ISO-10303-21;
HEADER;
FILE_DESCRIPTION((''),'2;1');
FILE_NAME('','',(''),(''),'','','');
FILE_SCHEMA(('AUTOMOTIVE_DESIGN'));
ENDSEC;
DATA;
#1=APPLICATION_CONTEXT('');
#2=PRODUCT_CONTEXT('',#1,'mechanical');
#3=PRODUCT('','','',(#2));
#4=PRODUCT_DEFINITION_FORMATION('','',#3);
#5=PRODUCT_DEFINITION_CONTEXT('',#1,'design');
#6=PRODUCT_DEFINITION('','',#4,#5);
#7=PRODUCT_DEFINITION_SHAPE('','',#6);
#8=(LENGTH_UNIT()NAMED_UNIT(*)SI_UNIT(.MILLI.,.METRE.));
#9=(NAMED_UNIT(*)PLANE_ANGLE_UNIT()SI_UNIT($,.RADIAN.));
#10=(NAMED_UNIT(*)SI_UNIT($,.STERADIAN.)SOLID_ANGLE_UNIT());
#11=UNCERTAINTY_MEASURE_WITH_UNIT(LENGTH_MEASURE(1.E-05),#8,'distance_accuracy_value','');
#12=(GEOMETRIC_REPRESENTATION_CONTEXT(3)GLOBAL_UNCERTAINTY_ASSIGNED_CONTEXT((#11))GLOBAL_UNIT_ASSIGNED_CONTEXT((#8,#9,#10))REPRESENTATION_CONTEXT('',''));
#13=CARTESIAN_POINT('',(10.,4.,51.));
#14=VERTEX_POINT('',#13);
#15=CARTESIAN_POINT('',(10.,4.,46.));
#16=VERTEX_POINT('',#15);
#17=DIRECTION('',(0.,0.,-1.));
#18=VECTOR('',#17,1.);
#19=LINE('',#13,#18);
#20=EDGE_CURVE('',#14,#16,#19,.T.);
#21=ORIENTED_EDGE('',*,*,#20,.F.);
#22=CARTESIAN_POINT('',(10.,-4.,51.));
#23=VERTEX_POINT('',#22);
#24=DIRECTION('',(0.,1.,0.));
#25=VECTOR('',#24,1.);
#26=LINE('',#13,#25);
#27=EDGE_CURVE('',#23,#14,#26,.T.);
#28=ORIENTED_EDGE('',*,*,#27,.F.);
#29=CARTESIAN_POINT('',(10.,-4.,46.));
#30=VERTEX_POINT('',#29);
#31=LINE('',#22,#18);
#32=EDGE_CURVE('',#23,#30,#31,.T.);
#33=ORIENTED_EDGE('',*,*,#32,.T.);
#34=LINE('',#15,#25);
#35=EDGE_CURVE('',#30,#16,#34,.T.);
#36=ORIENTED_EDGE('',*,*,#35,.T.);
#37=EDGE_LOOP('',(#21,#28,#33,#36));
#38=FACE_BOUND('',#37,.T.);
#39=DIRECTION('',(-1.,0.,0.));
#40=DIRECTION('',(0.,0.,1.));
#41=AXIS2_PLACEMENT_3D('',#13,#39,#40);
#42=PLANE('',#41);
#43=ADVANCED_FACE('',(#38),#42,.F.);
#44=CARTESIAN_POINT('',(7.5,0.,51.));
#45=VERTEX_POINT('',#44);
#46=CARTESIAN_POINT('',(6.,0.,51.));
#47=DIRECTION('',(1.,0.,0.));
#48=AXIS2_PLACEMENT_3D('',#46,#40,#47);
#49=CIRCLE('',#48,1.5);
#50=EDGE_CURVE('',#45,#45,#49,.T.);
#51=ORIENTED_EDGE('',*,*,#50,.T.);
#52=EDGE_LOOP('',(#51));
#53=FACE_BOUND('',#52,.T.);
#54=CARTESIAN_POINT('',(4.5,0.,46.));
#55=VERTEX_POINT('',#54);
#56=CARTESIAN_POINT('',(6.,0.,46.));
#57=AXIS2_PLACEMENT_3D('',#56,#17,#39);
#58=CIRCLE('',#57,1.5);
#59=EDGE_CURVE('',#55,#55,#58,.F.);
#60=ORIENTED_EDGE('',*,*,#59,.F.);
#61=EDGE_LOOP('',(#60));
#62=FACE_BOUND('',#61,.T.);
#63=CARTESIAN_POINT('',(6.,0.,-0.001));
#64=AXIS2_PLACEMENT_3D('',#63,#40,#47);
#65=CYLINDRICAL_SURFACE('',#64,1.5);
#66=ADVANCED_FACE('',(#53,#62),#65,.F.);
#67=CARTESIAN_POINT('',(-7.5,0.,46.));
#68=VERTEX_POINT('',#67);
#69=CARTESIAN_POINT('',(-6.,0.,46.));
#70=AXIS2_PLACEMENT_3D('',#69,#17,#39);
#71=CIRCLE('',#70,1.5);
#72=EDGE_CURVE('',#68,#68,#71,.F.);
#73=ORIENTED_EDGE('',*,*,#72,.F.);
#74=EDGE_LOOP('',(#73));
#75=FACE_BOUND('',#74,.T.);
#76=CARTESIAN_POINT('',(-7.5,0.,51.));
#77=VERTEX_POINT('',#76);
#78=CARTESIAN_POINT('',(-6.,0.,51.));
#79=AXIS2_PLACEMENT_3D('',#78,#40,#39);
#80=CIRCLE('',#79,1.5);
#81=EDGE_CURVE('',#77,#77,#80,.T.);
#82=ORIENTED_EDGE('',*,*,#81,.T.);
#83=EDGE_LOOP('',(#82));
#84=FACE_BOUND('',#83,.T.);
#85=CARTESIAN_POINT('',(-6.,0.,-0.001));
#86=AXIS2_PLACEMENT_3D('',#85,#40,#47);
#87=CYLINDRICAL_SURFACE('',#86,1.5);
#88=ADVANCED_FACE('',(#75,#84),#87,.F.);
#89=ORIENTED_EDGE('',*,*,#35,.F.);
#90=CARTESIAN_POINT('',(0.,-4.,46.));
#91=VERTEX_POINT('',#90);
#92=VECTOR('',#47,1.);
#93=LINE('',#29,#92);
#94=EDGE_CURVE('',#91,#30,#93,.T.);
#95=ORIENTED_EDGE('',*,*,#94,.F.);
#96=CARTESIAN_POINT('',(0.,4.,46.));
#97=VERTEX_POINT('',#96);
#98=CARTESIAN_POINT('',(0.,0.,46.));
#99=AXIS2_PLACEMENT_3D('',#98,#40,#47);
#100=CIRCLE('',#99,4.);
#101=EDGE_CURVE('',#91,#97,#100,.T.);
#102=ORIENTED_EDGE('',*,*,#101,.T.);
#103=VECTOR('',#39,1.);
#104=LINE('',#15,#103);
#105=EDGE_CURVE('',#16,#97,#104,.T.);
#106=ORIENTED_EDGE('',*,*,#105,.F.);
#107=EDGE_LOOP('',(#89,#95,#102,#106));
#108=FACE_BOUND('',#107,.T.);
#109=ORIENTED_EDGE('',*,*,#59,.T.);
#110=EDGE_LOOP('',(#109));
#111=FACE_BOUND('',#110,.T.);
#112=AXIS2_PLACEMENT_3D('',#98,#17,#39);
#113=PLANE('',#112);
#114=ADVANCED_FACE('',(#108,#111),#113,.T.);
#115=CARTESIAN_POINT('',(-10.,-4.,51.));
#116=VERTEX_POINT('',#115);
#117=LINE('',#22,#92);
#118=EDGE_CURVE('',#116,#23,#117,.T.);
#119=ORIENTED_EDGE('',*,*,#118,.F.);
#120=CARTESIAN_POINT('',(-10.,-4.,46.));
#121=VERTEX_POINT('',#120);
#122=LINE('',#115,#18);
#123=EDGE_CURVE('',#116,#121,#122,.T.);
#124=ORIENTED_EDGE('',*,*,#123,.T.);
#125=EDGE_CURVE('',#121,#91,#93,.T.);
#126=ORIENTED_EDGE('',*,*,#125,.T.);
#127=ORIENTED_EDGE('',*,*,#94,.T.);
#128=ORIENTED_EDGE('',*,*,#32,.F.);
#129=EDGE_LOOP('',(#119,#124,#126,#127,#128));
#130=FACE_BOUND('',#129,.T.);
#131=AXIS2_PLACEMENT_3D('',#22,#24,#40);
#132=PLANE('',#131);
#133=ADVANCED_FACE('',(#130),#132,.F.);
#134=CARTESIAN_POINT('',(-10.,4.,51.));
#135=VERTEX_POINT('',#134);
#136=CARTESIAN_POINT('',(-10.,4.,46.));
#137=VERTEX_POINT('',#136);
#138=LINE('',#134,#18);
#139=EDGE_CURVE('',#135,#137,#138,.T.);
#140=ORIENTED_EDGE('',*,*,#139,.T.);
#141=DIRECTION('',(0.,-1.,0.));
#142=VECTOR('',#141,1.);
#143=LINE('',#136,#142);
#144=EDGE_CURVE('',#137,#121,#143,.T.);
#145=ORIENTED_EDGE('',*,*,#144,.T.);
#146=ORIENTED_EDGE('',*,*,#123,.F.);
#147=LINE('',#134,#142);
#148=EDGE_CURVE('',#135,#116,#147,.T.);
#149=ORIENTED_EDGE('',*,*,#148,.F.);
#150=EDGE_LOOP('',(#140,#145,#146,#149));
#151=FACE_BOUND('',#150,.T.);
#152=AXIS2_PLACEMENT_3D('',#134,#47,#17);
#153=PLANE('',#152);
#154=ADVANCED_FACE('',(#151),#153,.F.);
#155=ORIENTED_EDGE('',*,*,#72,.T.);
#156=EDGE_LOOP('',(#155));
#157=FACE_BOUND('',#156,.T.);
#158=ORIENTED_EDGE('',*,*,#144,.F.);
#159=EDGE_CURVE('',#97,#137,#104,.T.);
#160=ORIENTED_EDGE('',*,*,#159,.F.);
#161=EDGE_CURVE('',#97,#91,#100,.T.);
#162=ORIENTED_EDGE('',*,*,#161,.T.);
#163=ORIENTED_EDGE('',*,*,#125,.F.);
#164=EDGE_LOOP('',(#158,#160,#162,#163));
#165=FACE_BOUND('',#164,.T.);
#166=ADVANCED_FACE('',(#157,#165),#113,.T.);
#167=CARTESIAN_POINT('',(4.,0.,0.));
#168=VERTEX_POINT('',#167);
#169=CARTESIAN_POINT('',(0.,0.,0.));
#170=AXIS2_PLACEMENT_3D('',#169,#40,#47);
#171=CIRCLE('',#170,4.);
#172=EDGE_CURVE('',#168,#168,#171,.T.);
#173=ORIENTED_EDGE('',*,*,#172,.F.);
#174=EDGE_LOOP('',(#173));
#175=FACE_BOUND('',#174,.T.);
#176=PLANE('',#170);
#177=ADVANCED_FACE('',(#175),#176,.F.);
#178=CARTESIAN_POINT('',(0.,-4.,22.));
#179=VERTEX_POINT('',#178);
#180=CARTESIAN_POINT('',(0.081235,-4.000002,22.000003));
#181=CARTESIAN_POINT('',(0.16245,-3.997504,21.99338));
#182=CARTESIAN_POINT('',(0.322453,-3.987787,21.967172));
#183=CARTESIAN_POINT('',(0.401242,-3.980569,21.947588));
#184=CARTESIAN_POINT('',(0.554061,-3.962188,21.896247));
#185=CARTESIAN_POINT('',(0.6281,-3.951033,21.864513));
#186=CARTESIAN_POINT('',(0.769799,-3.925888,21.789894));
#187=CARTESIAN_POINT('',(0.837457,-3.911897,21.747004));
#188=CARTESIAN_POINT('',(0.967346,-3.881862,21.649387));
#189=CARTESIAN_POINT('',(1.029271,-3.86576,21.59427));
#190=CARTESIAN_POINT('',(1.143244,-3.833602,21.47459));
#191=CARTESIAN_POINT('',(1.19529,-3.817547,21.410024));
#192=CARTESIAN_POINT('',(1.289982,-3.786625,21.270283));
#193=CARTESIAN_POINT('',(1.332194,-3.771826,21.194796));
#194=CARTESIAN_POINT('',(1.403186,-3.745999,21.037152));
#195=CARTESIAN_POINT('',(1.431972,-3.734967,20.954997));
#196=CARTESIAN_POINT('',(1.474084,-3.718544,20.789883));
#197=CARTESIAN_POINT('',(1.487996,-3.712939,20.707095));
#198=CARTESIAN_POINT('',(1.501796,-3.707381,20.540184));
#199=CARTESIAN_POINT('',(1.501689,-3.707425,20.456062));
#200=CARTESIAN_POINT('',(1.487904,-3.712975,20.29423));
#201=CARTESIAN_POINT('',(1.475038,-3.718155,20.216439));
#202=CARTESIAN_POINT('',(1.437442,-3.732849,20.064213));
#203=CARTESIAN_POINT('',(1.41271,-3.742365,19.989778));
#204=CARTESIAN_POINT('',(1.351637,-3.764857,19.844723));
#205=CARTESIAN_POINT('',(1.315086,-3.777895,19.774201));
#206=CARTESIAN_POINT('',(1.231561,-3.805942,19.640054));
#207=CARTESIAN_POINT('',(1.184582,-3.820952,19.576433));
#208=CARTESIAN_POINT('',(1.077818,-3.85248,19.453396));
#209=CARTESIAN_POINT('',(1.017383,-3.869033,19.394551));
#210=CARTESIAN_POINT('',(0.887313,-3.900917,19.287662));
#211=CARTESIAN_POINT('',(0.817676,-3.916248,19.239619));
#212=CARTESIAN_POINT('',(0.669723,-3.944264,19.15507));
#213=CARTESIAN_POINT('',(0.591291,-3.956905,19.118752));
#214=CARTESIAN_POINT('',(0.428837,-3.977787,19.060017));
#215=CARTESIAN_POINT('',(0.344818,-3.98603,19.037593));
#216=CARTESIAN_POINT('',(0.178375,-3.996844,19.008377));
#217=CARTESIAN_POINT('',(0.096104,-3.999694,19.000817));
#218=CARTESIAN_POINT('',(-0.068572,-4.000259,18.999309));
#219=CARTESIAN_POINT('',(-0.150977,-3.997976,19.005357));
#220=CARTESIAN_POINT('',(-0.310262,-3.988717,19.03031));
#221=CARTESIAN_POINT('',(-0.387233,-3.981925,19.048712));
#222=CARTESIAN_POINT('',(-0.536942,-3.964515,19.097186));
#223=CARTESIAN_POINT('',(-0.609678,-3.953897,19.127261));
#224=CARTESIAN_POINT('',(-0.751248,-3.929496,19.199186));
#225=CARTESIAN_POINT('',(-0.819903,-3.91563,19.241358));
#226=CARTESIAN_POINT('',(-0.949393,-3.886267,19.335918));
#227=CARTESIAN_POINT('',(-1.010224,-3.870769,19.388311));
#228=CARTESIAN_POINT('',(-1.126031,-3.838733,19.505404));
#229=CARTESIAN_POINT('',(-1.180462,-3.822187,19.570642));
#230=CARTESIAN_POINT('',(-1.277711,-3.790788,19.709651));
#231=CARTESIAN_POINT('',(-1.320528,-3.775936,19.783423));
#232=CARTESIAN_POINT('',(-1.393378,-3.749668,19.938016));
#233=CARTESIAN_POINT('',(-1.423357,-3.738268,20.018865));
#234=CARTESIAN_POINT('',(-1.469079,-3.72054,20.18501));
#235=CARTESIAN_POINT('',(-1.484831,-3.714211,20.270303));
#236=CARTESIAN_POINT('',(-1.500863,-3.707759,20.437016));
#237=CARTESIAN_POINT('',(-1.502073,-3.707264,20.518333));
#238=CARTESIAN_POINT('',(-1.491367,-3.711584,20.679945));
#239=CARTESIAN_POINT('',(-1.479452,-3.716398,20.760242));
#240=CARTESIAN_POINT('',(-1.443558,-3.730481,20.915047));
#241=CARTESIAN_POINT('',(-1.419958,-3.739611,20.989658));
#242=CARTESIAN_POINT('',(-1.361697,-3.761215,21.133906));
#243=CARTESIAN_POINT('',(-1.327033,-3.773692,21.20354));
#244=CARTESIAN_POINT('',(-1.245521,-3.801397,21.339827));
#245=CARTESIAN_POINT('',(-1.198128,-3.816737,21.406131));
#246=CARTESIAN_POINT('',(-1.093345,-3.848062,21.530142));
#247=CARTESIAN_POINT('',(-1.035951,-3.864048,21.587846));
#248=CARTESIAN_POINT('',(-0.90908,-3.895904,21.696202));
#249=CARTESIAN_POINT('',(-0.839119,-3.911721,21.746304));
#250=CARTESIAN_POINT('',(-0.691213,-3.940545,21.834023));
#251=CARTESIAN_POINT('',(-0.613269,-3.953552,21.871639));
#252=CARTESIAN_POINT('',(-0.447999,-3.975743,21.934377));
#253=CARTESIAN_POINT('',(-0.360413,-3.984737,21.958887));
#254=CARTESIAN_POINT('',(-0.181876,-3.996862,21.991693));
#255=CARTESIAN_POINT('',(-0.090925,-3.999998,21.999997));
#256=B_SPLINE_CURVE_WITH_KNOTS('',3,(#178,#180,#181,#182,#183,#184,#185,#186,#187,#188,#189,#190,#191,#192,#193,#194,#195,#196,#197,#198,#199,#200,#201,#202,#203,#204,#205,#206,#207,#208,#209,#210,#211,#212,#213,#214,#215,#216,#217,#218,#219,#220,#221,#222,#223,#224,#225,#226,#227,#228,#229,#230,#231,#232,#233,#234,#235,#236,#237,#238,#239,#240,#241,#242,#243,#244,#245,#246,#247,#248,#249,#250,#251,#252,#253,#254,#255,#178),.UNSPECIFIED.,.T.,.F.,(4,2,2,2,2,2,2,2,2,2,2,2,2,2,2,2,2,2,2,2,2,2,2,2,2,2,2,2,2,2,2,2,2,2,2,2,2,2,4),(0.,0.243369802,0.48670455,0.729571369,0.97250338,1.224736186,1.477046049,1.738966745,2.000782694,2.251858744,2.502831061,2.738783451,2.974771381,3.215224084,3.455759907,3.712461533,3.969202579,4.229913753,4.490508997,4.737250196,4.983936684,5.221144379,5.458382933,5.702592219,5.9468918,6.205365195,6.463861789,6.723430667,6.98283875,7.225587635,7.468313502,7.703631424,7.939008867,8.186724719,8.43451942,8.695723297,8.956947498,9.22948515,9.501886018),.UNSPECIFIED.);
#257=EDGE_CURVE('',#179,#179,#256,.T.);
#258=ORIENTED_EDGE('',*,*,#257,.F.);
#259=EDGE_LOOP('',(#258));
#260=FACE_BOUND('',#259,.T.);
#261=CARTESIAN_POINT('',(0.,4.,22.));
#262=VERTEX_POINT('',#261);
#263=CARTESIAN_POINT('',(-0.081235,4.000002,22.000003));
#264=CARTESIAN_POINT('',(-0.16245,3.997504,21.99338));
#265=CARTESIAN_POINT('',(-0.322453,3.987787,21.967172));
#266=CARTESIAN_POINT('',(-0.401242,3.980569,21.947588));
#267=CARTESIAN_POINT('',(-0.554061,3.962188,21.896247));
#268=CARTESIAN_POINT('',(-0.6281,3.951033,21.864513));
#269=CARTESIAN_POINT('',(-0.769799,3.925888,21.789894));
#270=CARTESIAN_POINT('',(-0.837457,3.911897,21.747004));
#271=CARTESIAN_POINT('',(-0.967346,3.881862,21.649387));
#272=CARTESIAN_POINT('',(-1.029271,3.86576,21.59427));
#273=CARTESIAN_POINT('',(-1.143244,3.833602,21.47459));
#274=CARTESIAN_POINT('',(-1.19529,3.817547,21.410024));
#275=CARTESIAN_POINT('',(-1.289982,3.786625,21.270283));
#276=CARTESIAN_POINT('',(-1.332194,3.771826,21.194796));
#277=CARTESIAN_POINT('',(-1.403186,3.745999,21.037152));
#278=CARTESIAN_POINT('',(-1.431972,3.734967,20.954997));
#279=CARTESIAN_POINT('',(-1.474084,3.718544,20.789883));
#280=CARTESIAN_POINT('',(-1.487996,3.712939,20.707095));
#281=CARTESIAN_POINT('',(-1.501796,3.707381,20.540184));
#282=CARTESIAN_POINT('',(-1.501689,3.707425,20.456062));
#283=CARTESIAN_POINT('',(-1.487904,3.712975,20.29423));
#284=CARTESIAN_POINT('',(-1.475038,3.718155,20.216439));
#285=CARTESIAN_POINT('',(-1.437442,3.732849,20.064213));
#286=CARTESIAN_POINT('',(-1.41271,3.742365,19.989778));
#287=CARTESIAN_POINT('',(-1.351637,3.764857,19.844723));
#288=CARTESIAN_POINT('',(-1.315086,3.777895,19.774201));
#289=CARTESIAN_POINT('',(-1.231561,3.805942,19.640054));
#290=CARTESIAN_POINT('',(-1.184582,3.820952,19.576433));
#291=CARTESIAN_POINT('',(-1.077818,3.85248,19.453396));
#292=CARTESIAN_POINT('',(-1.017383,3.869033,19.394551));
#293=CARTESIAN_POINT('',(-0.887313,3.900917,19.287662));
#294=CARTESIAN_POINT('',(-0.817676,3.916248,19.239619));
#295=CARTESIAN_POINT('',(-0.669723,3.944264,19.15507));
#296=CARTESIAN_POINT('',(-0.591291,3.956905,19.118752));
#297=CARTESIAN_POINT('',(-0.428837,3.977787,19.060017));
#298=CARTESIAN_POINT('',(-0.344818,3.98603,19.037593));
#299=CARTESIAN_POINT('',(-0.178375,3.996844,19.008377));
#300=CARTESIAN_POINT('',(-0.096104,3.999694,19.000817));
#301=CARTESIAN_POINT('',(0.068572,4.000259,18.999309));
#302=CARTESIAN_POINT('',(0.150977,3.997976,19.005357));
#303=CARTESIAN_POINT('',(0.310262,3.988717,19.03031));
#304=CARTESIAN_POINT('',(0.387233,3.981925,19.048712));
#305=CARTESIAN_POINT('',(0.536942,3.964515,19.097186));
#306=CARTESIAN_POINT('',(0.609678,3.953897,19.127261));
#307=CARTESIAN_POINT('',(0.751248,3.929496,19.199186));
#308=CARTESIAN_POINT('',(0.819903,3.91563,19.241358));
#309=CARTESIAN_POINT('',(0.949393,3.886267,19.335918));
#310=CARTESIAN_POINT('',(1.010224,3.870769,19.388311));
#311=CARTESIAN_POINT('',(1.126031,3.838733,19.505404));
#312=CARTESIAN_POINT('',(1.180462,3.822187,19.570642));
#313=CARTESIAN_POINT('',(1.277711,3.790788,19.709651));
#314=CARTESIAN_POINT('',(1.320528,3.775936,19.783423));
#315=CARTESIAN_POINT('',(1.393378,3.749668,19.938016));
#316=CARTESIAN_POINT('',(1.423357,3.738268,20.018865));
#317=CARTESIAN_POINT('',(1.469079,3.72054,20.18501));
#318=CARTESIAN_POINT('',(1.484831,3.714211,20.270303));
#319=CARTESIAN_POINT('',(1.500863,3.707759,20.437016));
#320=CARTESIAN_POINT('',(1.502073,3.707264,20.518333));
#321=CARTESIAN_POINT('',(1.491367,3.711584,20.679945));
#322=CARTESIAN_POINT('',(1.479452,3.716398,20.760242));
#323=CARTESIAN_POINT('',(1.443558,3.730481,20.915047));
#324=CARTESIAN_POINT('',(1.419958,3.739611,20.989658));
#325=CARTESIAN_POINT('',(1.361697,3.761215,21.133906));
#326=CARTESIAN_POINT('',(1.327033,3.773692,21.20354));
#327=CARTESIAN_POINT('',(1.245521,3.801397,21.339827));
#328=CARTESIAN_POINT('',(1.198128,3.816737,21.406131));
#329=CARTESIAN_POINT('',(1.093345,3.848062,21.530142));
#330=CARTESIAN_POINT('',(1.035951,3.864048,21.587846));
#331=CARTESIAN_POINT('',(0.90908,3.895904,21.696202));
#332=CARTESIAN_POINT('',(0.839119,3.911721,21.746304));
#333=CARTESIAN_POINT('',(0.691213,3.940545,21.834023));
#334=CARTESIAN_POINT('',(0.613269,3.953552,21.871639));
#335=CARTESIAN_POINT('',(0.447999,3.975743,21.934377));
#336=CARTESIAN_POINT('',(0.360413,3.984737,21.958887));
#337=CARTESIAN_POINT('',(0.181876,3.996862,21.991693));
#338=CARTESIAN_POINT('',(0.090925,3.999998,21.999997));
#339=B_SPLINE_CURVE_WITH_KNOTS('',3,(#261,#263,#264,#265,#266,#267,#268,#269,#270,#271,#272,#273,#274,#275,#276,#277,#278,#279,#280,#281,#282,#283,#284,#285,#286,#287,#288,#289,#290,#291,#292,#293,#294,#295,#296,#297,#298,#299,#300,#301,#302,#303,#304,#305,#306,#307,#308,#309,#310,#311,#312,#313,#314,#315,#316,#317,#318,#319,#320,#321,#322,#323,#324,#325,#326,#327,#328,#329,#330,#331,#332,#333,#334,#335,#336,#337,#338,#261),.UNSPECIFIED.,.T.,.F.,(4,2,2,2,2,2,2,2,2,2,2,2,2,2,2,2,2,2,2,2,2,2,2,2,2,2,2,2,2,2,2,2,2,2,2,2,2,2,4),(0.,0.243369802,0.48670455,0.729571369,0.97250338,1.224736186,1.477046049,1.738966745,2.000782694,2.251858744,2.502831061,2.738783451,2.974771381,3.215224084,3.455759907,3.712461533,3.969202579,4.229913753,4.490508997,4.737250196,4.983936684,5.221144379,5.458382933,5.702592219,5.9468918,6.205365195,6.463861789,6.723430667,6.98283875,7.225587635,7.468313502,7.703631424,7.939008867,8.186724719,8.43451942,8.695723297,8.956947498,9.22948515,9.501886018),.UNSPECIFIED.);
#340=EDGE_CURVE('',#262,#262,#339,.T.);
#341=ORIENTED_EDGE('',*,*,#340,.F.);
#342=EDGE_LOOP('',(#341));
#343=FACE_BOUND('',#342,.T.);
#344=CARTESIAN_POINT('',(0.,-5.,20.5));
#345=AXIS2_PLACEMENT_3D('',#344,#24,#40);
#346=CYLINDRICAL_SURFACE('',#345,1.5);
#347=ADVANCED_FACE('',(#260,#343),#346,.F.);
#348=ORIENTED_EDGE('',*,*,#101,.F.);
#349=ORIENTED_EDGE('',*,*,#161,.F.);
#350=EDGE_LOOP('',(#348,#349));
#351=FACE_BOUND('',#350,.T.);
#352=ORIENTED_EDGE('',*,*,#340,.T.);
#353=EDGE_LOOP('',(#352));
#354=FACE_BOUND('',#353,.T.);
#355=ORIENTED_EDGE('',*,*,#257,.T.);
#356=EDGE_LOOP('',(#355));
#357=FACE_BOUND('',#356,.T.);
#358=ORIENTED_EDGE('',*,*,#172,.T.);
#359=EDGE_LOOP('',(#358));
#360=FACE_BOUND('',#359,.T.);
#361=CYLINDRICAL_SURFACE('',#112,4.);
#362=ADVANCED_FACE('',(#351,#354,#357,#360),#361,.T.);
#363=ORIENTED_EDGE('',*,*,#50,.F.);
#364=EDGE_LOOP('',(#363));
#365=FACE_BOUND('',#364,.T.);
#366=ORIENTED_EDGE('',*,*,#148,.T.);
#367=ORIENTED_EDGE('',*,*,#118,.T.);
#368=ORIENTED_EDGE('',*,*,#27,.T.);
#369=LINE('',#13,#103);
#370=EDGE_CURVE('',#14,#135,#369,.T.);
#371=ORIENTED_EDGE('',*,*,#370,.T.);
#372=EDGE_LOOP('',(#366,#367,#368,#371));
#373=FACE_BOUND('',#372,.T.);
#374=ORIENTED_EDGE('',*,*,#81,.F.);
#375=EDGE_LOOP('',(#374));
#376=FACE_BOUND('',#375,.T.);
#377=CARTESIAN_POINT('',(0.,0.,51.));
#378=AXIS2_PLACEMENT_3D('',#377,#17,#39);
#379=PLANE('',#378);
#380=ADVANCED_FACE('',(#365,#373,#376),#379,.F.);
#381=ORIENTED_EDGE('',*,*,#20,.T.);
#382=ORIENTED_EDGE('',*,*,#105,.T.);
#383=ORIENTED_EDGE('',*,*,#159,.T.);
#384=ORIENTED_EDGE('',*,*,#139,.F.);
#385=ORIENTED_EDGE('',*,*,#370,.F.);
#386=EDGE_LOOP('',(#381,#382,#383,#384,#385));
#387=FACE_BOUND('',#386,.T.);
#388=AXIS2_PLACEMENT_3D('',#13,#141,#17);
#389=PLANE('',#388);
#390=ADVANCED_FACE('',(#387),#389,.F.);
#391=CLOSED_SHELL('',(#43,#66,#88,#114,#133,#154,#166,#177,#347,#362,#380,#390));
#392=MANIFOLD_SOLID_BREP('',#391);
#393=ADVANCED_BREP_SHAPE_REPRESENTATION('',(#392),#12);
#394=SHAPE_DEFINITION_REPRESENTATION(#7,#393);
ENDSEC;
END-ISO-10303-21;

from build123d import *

# Parameters (mm, degrees)
CROQUIS1_R              = 4
SALIENTE_EXTRUIR1_DEPTH = 46
CROQUIS2_W              = 20
CROQUIS2_H              = 8
SALIENTE_EXTRUIR2_DEPTH = 5
CORTAR_EXTRUIR1_REACH   = 54.125
CROQUIS3_R              = 1.5
CROQUIS4_R              = 1.5
CORTAR_EXTRUIR2_DEPTH   = 5


with BuildPart() as part:
    # Croquis1 → Saliente-Extruir1 (new body)
    with BuildSketch(Plane(origin=(0, 0, 0), x_dir=(0, 1, 0), z_dir=(0, 0, 1))):
        with Locations(Location((0, 0, 0), (0, 0, 270))):
            Circle(CROQUIS1_R)
    extrude(amount=SALIENTE_EXTRUIR1_DEPTH)

    # Croquis2 → Saliente-Extruir2 (add)
    with BuildSketch(Plane.XY.offset(46)):
        Rectangle(CROQUIS2_W, CROQUIS2_H)
    extrude(amount=SALIENTE_EXTRUIR2_DEPTH)

    # Croquis3 → Cortar-Extruir1 (cut, up to next)
    with BuildSketch(Plane.XY.offset(51), mode=Mode.PRIVATE) as cortar_extruir1_sk1:
        with Locations((6, 0)):
            Circle(CROQUIS3_R)
    cortar_extruir1_tool1 = extrude(cortar_extruir1_sk1.sketch, amount=-CORTAR_EXTRUIR1_REACH, mode=Mode.PRIVATE) & part.part
    # Croquis3 → Cortar-Extruir1 (cut, up to next)
    with BuildSketch(Plane.XY.offset(51), mode=Mode.PRIVATE) as cortar_extruir1_sk2:
        with Locations(Location((-6, 0, 0), (0, 0, 180))):
            Circle(CROQUIS3_R)
    cortar_extruir1_tool2 = extrude(cortar_extruir1_sk2.sketch, amount=-CORTAR_EXTRUIR1_REACH, mode=Mode.PRIVATE) & part.part
    add(cortar_extruir1_tool1.solids().sort_by_distance((6, 0, 51))[0], mode=Mode.SUBTRACT)
    add(cortar_extruir1_tool2.solids().sort_by_distance((-6, 0, 51))[0], mode=Mode.SUBTRACT)

    # Croquis4 → Cortar-Extruir2 (cut, symmetric)
    with BuildSketch(Plane(origin=(0, 0, 0), x_dir=(-1, 0, 0), z_dir=(0, 1, 0))):
        with Locations(Location((0, 20.5, 0), (0, 0, 90))):
            Circle(CROQUIS4_R)
    extrude(amount=CORTAR_EXTRUIR2_DEPTH, both=True, mode=Mode.SUBTRACT)


solid = part.part
